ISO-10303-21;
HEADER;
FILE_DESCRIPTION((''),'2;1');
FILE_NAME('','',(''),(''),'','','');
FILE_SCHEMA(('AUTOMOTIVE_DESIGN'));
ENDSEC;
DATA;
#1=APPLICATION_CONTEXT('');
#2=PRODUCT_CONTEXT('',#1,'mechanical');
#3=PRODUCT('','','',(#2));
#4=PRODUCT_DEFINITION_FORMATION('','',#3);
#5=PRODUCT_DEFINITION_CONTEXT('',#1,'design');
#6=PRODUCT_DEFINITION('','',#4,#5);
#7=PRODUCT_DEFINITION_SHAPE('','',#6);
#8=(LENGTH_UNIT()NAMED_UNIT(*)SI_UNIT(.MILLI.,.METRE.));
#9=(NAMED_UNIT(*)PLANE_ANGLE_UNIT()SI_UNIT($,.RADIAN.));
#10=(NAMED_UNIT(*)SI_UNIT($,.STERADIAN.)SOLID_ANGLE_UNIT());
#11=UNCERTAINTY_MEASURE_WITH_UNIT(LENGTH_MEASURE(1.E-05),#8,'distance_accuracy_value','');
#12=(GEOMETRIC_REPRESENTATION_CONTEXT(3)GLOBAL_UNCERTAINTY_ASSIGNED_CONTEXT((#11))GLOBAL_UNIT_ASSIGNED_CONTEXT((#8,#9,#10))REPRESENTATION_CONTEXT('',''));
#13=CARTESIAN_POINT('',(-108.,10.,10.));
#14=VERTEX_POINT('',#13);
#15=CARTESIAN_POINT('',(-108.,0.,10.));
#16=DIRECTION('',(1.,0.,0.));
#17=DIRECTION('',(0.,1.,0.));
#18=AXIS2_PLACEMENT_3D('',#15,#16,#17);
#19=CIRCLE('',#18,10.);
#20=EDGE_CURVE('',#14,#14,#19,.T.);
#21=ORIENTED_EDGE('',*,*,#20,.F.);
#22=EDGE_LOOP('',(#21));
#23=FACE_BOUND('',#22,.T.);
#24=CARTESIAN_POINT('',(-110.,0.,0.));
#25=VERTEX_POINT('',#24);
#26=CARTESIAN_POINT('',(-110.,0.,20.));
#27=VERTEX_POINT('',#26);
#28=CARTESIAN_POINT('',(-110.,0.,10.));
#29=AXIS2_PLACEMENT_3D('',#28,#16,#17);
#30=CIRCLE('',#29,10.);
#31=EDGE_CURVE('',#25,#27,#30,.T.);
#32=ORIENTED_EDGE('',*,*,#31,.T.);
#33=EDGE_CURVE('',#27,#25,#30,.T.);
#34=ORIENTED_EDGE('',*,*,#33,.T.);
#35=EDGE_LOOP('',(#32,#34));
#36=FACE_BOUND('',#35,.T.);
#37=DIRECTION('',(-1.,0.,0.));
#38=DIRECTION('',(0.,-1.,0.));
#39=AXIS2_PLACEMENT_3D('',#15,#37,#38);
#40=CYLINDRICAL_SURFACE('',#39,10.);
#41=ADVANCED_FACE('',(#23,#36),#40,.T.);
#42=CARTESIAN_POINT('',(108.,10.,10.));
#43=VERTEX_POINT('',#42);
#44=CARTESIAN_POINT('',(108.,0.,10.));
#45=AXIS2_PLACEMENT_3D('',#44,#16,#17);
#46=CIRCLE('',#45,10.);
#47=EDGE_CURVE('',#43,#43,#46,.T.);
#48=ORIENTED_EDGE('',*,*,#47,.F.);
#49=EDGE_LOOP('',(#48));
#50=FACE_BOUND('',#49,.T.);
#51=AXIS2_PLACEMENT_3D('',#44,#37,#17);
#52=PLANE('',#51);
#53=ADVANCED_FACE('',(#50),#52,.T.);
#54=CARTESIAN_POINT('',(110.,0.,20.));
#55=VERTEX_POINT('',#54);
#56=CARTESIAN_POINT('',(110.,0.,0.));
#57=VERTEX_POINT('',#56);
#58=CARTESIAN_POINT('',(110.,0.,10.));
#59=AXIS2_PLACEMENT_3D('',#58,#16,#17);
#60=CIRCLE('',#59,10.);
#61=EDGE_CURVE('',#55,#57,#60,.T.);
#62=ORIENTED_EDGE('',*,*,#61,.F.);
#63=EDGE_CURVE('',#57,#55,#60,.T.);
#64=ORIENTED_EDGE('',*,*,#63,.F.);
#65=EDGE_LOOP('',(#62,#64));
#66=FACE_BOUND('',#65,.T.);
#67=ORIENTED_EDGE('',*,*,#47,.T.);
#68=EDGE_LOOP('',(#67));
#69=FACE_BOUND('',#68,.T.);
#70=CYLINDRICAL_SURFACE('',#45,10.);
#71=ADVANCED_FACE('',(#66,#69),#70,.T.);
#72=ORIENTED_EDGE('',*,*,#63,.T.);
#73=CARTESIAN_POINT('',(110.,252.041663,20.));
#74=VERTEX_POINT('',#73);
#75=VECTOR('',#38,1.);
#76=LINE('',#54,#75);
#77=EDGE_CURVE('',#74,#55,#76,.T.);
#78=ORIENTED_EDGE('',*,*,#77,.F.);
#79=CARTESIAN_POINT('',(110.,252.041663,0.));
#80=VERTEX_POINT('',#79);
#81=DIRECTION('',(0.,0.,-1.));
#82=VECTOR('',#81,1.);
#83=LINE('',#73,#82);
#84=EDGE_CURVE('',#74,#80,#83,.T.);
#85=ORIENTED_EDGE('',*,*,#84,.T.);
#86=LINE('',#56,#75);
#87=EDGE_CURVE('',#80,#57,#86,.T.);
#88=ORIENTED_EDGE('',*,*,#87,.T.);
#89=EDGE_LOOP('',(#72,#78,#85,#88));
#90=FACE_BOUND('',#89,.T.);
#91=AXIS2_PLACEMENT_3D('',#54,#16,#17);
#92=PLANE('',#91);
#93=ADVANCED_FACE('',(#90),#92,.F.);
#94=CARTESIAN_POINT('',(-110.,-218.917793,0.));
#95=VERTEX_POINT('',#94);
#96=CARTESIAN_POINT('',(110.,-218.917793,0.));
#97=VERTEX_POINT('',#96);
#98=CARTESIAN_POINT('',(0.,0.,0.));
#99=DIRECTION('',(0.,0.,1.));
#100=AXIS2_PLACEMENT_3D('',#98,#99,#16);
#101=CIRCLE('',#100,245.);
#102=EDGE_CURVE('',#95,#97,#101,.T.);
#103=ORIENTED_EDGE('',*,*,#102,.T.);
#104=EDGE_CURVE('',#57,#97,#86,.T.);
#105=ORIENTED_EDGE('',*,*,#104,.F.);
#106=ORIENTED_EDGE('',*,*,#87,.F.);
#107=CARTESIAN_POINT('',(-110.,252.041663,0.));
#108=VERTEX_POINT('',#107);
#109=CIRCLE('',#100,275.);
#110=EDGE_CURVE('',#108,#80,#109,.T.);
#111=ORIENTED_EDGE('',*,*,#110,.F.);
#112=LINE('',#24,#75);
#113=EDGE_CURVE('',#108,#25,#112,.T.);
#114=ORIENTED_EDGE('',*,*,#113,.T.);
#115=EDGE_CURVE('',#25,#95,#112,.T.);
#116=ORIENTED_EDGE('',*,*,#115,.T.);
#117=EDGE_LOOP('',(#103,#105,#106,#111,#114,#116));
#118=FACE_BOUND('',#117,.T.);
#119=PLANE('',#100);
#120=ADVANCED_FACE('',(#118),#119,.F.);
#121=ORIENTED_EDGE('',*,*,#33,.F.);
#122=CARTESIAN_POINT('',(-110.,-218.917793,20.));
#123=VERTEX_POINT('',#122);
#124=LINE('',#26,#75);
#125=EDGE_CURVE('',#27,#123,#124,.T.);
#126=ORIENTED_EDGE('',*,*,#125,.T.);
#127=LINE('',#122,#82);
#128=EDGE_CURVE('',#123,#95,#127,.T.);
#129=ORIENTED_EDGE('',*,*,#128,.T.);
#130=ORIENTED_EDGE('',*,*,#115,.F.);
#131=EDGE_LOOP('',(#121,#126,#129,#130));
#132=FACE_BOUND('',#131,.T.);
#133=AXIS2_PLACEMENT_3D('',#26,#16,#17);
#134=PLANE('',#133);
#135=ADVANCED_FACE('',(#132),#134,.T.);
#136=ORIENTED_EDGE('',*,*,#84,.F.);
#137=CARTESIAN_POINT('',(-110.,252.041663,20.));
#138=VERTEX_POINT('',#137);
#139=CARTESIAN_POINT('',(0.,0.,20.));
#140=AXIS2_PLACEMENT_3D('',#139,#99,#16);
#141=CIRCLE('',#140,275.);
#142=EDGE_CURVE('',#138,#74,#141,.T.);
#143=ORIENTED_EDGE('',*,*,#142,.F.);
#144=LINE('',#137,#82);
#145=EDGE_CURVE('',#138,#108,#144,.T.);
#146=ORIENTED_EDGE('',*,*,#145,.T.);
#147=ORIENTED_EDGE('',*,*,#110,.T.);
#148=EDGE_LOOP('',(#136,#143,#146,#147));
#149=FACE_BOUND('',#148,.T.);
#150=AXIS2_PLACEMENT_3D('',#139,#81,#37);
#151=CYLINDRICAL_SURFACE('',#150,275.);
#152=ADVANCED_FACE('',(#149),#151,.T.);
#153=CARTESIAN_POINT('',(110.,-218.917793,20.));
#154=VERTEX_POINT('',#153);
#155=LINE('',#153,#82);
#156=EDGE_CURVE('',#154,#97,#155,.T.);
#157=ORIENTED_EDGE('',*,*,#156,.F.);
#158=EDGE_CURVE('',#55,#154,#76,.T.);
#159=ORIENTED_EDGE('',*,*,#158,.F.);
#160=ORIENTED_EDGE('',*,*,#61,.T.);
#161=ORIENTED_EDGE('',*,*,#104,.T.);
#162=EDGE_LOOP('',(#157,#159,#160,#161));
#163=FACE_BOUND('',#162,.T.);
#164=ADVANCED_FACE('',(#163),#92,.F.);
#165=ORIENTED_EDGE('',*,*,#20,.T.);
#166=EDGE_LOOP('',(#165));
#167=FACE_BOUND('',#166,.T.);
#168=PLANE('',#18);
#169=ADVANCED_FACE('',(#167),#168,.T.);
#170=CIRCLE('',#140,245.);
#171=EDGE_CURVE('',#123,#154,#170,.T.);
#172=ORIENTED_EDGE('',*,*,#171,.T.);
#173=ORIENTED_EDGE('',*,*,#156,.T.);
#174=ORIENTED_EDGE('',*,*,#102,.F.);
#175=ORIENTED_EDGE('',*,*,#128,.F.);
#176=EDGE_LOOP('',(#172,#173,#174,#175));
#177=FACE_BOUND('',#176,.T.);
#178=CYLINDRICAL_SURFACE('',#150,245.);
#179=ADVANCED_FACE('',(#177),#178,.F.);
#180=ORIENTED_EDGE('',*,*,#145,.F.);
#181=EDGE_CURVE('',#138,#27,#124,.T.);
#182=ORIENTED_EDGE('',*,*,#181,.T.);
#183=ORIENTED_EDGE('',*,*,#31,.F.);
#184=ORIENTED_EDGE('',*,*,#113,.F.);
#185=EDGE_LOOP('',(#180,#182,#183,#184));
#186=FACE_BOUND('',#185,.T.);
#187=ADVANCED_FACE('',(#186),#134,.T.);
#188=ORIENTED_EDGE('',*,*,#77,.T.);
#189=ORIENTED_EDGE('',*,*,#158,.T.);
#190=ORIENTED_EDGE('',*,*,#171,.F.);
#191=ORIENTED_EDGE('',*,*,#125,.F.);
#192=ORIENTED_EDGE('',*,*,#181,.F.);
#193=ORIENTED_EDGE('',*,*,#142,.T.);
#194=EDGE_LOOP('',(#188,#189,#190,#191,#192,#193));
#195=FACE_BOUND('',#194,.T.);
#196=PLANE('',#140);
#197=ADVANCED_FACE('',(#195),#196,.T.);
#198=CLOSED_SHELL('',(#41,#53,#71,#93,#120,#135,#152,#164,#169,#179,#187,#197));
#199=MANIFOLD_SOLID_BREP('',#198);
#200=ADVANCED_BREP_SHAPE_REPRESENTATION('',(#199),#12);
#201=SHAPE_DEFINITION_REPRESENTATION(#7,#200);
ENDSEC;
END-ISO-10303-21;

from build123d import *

# Parameters (mm, degrees)
AUFSATZ_LINEAR_AUSTRAGEN1_DEPTH = 20
SKIZZE2_R                       = 10
AUFSATZ_LINEAR_AUSTRAGEN2_DEPTH = 2


with BuildPart() as part:
    # Skizze1 → Aufsatz-Linear austragen1 (new body)
    with BuildSketch(Plane.XY):
        with BuildLine():
            ThreePointArc((-110, 252.041663223), (0, -275), (110, 252.041663223))
            Line((110, 252.041663223), (110, -218.91779279))
            ThreePointArc((110, -218.91779279), (0, -245), (-110, -218.91779279))
            Line((-110, -218.91779279), (-110, 252.041663223))
        make_face()
    extrude(amount=AUFSATZ_LINEAR_AUSTRAGEN1_DEPTH)

    # Skizze2 → Aufsatz-Linear austragen2 (add)
    with BuildSketch(Plane(origin=(-110, 0, 0), x_dir=(0, 0, -1), z_dir=(1, 0, 0))):
        with Locations((-10, 0)):
            Circle(SKIZZE2_R)
    aufsatz_linear_austragen2 = extrude(amount=AUFSATZ_LINEAR_AUSTRAGEN2_DEPTH)

    # Spiegeln1: Aufsatz-Linear austragen2 across plane
    add(aufsatz_linear_austragen2.mirror(Plane(origin=(0, 0, 0), x_dir=(0, 0, 1), z_dir=(1, 0, 0))))


solid = part.part
